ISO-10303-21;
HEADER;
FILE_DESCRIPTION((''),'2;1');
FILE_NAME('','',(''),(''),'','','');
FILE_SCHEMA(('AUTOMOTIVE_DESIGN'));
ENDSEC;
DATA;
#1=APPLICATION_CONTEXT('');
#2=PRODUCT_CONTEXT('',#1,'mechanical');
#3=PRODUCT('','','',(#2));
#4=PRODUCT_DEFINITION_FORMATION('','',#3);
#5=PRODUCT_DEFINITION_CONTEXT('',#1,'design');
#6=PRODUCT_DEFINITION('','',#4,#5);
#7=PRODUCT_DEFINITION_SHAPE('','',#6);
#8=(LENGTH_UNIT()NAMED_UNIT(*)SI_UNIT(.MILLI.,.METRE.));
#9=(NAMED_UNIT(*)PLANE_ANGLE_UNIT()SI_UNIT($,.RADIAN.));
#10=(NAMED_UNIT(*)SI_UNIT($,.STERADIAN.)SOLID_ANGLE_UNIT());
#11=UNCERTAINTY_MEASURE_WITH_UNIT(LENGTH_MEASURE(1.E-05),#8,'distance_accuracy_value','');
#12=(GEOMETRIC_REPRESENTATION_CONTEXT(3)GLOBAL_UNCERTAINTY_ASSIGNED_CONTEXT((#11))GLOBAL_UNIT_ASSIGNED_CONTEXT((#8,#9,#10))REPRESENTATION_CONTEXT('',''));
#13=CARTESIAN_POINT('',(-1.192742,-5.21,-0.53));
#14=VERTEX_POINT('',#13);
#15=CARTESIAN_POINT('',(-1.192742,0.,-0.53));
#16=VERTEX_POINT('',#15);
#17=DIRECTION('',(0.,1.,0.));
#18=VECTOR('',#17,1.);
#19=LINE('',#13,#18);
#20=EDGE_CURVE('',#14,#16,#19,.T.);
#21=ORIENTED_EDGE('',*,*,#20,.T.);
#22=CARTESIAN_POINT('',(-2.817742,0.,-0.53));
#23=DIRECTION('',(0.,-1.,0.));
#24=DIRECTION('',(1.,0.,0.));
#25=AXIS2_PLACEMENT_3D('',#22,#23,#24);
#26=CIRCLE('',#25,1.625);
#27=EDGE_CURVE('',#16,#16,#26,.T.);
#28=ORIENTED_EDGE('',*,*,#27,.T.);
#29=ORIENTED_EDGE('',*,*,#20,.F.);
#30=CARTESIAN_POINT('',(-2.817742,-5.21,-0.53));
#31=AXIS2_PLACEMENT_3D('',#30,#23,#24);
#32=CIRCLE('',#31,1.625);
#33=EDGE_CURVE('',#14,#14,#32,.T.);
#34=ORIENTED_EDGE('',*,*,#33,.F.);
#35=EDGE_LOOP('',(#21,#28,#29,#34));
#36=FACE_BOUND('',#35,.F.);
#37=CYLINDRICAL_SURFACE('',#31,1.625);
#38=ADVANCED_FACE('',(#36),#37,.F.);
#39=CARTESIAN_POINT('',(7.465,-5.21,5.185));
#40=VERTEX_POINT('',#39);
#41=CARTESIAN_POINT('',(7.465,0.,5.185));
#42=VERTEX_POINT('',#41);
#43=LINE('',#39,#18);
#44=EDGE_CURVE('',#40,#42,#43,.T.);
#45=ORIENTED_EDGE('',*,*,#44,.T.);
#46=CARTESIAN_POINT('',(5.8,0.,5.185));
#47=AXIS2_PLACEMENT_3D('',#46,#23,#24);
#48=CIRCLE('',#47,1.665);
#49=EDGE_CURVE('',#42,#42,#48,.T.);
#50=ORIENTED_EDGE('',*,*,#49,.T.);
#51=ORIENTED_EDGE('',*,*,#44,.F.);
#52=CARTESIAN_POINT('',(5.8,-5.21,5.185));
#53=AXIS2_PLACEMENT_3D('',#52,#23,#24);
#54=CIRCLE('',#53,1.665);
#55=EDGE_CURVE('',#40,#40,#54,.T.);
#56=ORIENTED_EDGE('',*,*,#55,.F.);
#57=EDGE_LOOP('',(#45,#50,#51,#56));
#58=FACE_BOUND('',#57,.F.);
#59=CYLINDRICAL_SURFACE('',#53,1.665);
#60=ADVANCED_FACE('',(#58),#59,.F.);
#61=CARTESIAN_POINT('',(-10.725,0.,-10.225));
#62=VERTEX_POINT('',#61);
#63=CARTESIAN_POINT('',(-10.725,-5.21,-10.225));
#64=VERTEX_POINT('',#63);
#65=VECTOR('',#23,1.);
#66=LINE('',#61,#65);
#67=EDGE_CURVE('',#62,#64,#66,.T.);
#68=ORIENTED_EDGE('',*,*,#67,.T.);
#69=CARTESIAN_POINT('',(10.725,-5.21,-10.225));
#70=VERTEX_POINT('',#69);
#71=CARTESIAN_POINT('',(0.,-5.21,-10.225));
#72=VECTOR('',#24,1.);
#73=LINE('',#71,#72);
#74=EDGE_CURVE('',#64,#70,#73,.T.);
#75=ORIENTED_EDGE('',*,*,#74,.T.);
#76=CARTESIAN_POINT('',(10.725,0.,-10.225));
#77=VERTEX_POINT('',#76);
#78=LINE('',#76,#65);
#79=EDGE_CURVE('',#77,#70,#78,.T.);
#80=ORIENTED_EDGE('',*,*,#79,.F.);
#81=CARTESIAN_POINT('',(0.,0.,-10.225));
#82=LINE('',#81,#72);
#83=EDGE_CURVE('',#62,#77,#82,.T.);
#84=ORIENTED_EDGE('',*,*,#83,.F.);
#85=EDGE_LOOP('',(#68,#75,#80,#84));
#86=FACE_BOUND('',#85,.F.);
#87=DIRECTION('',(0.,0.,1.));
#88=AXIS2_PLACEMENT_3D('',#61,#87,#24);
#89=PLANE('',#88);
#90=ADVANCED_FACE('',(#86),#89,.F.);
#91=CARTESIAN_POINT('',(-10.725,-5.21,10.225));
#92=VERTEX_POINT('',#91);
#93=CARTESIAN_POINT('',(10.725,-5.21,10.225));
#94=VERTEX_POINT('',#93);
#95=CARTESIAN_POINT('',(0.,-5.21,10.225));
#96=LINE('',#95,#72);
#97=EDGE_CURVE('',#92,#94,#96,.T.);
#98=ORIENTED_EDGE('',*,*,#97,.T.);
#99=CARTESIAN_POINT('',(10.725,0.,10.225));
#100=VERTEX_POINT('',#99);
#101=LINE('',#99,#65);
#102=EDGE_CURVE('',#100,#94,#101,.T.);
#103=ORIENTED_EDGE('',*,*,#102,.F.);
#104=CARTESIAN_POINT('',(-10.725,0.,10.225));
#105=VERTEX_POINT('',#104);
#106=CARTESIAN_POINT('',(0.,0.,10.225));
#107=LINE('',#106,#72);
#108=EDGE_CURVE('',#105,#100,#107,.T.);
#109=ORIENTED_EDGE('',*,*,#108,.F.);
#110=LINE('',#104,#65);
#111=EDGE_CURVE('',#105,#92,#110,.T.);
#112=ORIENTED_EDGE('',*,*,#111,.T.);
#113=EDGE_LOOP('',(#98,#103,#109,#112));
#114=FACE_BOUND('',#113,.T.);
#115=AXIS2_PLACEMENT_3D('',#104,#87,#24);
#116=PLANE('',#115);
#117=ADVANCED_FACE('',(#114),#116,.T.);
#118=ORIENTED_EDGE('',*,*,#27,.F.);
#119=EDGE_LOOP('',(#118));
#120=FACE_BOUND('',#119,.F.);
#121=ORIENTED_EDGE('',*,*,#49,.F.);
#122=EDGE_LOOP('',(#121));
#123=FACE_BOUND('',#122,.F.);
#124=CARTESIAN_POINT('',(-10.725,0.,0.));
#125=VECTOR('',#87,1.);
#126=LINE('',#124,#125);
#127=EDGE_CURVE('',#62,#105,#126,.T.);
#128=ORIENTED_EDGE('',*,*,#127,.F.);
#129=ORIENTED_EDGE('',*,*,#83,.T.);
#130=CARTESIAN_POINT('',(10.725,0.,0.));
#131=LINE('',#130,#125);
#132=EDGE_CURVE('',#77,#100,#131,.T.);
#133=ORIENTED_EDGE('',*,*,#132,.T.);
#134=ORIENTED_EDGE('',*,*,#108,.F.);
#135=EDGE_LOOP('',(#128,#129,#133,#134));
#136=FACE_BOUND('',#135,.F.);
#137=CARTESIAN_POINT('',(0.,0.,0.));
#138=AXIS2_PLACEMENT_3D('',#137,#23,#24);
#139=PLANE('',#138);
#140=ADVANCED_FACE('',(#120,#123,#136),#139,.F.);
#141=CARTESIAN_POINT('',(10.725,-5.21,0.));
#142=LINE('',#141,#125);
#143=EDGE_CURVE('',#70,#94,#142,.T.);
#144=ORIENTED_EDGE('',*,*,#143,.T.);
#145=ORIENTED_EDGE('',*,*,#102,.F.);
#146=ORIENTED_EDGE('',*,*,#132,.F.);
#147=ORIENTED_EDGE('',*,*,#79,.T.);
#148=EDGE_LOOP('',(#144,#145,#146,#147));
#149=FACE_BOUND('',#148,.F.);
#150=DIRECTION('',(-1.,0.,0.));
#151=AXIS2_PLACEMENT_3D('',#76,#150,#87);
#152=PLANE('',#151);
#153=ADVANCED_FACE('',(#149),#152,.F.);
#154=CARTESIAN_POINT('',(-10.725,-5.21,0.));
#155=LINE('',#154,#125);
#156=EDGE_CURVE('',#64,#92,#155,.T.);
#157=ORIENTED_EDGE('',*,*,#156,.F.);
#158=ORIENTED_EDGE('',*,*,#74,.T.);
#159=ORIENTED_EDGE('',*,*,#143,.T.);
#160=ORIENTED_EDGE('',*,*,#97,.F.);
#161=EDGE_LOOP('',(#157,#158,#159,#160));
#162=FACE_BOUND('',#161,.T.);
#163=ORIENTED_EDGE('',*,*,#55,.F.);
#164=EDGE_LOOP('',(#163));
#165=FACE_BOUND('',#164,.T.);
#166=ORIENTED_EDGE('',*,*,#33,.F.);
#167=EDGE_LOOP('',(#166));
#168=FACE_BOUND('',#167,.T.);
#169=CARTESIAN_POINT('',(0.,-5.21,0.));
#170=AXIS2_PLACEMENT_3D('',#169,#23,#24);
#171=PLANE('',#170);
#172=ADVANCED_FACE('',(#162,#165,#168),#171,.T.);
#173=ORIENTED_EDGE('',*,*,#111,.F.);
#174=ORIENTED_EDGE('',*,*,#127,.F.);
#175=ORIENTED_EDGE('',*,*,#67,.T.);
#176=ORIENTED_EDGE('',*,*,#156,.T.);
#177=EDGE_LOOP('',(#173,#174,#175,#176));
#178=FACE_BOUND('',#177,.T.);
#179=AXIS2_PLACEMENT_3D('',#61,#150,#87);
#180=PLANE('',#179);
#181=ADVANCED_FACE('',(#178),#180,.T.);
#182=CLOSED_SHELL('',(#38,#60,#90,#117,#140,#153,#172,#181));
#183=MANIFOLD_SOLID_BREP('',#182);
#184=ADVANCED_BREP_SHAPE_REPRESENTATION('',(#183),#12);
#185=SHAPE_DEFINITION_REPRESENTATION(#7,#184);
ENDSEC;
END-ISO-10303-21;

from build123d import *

# Parameters (mm, degrees)
F0_W     = 21.45
F0_H     = 20.45
F1_DEPTH = 5.21
F2_R     = 1.665
F2_R_2   = 1.625
F3_DEPTH = 5.211


with BuildPart() as f1:
    # F0 (on Front) → F1 (new body)
    with BuildSketch(Plane.XZ):
        Rectangle(F0_W, F0_H)
    extrude(amount=F1_DEPTH)

    # F2 (on face) → F3 (cut, through all)
    with BuildSketch(Plane.XZ.offset(5.21)):
        with Locations((5.8, 5.185)):
            Circle(F2_R)
        with Locations((-2.817742, -0.53)):
            Circle(F2_R_2)
    extrude(amount=-F3_DEPTH, mode=Mode.SUBTRACT)


solid = f1.part
